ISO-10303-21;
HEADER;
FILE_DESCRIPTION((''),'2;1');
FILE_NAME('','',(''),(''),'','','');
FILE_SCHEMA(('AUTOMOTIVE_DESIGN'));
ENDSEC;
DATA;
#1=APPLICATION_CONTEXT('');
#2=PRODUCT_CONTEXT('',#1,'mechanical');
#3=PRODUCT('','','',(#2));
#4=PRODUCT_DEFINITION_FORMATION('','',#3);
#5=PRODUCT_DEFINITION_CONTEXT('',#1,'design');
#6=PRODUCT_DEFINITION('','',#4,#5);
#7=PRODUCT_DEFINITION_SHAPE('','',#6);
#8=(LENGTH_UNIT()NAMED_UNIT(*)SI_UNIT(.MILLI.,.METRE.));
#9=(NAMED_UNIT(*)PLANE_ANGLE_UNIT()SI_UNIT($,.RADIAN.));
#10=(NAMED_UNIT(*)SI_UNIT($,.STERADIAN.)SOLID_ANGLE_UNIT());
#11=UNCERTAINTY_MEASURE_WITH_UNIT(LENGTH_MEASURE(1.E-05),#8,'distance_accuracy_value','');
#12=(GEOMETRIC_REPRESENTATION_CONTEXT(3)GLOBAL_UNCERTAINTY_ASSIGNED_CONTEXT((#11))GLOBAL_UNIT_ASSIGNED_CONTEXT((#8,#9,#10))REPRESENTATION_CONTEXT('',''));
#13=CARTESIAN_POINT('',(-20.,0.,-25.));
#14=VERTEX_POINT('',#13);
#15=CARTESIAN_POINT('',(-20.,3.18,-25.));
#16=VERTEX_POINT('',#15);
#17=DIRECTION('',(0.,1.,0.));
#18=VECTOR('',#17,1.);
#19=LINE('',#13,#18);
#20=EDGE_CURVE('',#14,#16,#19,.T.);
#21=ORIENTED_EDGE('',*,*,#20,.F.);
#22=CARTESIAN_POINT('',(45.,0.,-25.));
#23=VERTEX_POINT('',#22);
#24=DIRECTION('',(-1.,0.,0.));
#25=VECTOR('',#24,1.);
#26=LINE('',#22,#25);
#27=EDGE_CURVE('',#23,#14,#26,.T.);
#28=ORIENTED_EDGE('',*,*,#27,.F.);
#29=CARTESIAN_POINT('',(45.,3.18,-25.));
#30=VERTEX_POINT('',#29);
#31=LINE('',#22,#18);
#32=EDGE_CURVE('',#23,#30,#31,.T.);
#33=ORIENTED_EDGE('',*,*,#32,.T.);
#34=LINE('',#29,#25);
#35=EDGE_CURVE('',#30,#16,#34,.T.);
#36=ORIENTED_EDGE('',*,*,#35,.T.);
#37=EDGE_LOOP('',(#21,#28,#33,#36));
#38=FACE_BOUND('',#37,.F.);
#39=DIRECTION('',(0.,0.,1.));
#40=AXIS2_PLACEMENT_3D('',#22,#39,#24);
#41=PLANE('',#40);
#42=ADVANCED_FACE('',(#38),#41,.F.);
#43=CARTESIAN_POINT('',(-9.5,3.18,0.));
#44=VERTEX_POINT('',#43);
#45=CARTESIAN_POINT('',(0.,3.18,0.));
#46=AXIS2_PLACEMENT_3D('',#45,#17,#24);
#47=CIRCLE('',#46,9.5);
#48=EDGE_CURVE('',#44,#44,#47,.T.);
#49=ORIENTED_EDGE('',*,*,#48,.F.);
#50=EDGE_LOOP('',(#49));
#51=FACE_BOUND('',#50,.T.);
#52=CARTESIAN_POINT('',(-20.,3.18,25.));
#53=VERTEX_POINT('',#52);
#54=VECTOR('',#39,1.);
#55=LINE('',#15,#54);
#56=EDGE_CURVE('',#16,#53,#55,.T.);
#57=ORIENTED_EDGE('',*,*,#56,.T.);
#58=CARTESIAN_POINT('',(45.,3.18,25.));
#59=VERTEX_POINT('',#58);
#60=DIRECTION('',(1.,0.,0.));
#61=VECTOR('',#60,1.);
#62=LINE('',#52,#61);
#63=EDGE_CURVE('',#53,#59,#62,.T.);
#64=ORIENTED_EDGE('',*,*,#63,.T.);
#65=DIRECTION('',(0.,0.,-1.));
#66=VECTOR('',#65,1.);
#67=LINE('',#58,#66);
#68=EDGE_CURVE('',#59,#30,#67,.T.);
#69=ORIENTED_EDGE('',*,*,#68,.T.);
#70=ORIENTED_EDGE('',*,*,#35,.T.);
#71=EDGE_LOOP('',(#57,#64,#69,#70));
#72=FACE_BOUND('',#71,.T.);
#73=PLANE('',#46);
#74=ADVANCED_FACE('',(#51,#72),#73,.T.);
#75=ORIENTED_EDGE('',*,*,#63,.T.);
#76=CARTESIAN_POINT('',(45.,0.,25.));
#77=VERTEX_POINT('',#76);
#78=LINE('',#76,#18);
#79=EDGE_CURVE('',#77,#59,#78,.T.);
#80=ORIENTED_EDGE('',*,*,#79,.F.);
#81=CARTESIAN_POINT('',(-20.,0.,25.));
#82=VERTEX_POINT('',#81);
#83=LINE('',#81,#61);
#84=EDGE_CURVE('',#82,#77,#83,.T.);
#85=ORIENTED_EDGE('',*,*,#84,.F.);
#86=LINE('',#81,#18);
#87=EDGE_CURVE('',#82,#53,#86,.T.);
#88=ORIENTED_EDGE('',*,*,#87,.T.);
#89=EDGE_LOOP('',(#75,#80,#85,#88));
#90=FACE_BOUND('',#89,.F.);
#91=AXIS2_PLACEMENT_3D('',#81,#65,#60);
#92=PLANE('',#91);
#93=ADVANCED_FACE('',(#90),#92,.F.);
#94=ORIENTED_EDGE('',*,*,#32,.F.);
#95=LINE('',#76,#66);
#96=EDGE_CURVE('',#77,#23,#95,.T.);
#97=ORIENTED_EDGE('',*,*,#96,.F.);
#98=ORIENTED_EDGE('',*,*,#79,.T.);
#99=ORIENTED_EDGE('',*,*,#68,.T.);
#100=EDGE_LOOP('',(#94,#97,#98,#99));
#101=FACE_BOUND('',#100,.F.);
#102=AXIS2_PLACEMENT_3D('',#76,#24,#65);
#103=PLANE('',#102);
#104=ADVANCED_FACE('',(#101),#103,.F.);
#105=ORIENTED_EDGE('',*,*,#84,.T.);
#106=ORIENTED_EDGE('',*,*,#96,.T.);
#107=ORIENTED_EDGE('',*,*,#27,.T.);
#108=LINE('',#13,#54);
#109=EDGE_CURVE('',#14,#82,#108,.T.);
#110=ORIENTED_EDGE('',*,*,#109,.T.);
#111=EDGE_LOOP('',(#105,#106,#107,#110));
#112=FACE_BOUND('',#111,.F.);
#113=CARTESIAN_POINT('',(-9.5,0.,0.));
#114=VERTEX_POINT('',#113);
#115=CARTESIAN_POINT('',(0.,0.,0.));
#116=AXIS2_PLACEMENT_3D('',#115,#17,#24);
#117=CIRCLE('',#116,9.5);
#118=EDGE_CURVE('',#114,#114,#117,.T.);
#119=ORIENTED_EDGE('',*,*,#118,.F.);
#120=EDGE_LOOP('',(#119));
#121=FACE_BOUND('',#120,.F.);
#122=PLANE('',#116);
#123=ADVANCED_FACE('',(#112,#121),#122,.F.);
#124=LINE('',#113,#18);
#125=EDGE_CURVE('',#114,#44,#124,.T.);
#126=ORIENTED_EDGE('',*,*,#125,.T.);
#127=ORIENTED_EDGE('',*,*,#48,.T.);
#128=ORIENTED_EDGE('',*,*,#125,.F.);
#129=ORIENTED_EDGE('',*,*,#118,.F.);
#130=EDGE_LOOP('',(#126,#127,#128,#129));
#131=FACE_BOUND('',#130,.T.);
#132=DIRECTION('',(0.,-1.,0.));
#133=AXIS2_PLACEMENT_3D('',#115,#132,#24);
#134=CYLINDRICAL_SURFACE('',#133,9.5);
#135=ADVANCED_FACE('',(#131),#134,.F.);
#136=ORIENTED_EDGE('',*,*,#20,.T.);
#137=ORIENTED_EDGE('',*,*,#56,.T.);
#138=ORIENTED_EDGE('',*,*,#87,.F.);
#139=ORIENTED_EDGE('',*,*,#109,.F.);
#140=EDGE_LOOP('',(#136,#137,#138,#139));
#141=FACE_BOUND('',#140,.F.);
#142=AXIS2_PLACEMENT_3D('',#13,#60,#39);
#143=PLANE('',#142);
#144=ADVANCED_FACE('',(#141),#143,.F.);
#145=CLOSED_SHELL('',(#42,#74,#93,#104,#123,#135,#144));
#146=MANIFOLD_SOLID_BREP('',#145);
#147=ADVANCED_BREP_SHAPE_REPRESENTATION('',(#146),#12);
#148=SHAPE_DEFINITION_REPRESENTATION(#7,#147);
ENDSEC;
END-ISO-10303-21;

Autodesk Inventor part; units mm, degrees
ref_plane "YZ Plane" through (0, 0, 0) normal (1, 0, 0) x (0, 1, 0)
ref_plane "XZ Plane" through (0, 0, 0) normal (0, 1, 0) x (-1, 0, 0)
ref_plane "XY Plane" through (0, 0, 0) normal (0, 0, 1) x (1, 0, 0)
sketch "Sketch1" plane through (0, 0, 0) normal (0, 1, 0) x (-1, 0, 0)
  line L0 (20, 25) -> (-45, 25)
  line L1 (-45, 25) -> (-45, -25)
  line L2 (-45, -25) -> (20, -25)
  line L3 (20, -25) -> (20, 25)
  circle A0 centre (0, 0) radius 9.5
  dimension "d11" = 50
  dimension "d12" = 65
  dimension "d13" = 25
  dimension "d20" = 20
  dimension "d21" = 19
extrude "Extrusion1" add sketch "Sketch1" along normal blind 3.18
properties part number "Hombro_sostenedorcojin"
